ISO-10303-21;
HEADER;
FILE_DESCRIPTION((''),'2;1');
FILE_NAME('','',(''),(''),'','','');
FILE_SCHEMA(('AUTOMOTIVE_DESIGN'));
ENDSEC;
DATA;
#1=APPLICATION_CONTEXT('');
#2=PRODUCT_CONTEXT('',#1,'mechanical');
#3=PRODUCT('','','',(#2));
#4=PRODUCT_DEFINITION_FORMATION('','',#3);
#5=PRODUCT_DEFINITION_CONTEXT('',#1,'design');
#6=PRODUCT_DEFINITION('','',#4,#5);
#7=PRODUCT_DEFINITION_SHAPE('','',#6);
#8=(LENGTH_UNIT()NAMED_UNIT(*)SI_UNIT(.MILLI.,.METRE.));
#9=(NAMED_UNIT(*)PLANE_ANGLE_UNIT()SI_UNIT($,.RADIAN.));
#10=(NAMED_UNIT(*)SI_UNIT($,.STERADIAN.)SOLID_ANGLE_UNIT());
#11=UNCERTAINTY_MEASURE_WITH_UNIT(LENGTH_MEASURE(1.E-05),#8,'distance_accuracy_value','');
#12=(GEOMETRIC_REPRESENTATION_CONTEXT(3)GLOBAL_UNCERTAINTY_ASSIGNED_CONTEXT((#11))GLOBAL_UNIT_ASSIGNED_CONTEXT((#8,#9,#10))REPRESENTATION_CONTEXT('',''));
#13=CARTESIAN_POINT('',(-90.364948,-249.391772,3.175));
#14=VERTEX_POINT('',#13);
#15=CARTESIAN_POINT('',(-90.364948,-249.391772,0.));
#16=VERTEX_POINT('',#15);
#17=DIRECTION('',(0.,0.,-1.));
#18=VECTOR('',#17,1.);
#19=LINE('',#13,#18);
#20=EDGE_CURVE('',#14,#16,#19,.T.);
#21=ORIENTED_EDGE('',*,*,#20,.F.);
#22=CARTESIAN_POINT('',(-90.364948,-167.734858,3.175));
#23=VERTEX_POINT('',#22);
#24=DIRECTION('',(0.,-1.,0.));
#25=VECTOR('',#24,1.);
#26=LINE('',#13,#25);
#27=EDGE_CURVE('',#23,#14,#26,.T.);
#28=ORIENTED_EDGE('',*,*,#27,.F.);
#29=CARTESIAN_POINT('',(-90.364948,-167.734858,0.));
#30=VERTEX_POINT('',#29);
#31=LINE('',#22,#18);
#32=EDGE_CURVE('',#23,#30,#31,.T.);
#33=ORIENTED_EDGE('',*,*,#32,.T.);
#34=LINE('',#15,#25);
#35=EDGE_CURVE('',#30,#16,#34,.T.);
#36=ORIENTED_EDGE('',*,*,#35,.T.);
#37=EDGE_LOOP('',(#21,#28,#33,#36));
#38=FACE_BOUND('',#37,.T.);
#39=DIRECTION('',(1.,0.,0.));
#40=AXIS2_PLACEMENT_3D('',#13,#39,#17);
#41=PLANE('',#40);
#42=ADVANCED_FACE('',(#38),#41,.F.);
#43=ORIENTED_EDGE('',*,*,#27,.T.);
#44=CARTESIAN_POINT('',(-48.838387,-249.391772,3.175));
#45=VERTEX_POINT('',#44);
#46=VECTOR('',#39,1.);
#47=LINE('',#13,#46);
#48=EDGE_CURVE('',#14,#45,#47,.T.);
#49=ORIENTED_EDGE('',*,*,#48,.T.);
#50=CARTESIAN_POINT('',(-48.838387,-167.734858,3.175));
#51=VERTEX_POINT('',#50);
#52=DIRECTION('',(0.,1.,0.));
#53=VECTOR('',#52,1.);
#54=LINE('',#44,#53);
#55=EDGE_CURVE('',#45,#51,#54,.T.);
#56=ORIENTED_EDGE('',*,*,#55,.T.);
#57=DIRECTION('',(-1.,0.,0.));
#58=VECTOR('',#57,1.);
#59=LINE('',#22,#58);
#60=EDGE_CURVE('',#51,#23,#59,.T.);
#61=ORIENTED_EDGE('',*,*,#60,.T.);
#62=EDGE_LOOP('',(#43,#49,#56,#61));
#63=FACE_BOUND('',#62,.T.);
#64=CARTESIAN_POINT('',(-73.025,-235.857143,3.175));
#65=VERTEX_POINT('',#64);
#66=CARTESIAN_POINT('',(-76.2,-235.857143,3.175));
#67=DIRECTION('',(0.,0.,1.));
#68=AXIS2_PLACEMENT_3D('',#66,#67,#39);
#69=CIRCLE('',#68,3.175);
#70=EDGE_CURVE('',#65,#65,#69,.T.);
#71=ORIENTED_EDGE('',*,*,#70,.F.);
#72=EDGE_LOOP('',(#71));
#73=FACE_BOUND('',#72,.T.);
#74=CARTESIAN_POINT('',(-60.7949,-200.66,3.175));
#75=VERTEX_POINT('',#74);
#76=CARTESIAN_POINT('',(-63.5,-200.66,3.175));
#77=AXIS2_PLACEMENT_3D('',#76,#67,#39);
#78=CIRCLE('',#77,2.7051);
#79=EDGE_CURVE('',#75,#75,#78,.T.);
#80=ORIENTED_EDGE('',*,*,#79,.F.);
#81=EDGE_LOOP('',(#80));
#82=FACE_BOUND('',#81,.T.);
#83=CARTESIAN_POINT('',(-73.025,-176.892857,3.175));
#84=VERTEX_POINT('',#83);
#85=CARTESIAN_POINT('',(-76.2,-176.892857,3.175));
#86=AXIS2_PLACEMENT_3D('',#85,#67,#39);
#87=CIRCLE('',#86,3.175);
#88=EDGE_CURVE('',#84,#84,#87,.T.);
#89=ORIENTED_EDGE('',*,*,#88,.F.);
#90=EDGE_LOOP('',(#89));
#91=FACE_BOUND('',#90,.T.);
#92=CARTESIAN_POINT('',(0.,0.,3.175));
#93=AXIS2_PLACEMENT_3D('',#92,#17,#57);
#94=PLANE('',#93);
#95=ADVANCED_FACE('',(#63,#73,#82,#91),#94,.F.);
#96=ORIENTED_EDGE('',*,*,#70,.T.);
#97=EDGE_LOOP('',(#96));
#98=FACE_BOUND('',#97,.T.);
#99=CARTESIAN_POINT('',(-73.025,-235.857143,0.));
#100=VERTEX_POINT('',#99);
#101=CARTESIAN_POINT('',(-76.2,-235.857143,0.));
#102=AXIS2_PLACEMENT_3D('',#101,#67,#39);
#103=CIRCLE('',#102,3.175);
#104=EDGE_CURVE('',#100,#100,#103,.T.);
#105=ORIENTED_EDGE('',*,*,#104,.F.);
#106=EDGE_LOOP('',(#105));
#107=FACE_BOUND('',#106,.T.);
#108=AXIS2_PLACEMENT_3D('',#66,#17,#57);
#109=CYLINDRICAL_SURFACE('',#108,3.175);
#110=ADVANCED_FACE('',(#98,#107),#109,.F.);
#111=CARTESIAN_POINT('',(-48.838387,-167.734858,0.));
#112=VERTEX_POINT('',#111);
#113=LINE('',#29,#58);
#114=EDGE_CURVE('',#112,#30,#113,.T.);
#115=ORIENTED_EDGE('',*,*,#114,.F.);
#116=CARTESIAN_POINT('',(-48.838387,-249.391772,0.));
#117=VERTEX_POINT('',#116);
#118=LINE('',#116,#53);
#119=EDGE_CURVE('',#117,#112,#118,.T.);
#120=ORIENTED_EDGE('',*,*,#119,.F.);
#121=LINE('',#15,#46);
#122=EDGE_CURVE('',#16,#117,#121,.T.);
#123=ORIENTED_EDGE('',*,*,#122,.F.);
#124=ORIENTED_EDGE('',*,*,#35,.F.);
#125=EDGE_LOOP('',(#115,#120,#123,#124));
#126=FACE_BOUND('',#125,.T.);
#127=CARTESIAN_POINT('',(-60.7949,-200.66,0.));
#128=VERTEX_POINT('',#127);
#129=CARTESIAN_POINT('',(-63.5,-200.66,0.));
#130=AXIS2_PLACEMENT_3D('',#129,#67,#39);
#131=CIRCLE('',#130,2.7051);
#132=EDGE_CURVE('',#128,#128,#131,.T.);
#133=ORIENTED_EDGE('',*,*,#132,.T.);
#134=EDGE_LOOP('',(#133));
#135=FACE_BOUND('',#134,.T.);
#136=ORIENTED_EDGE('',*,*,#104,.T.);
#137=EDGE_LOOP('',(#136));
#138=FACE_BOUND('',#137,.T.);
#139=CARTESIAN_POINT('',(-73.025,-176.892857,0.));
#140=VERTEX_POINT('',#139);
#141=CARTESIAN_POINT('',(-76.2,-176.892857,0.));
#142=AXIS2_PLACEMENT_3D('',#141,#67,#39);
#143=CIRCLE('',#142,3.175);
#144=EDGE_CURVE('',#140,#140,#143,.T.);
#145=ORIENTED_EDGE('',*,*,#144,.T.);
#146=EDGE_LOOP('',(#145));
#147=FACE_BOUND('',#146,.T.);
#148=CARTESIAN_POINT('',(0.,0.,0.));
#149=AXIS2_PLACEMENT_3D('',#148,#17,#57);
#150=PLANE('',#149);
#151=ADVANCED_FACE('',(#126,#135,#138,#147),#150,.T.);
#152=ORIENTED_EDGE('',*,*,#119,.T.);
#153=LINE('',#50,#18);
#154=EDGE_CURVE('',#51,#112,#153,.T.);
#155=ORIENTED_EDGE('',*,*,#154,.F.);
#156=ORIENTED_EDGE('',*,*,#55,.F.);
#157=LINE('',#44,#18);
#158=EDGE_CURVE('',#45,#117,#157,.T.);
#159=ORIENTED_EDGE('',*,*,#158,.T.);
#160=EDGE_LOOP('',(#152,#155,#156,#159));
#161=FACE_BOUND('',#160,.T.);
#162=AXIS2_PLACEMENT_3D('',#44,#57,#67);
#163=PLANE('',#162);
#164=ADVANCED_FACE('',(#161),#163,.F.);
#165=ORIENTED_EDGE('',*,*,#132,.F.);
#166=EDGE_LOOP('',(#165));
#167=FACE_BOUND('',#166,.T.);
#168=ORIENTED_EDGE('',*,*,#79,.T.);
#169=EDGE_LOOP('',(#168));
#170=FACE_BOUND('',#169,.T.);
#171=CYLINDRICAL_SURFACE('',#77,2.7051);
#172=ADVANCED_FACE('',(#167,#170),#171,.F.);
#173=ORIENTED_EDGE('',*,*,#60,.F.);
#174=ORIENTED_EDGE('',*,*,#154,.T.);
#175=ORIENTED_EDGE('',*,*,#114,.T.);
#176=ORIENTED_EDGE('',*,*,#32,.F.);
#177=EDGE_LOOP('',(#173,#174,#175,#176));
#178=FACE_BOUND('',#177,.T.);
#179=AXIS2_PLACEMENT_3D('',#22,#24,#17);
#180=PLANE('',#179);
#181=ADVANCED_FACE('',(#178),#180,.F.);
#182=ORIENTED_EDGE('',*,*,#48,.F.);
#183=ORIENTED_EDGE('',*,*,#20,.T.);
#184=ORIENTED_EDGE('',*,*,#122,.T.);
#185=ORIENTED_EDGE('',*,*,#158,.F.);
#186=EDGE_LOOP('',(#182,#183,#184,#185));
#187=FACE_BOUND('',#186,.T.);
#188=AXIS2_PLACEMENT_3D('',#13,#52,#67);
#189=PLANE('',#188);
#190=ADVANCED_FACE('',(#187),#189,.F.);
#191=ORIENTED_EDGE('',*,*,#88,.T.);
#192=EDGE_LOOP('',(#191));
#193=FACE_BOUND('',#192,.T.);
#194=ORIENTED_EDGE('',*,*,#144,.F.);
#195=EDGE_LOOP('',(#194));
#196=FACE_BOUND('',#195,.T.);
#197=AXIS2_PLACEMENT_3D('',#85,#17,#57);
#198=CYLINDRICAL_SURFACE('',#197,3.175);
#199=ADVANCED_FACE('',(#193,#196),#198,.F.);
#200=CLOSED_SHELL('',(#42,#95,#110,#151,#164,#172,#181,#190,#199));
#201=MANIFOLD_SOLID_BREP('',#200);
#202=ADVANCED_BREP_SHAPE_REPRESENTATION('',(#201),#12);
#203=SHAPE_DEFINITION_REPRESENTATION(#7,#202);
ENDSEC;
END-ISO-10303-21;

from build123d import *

# Parameters (mm, degrees)
SKETCH1_W               = 41.526561397
SKETCH1_H               = 81.656914339
SKETCH1_R               = 3.175
BOSS_EXTRUDE1_DEPTH     = 3.175
F_1_4_28_TAPPED_HOLE1_D = 5.4102


with BuildPart() as part:
    # Sketch1 → Boss-Extrude1 (new body)
    with BuildSketch(Plane.XY):
        with Locations((-69.601667399, -208.563314709)):
            Rectangle(SKETCH1_W, SKETCH1_H)
        with Locations((-76.2, -176.892857143)):
            Circle(SKETCH1_R, mode=Mode.SUBTRACT)
        with Locations((-76.2, -235.857142857)):
            Circle(SKETCH1_R, mode=Mode.SUBTRACT)
    extrude(amount=BOSS_EXTRUDE1_DEPTH)

    # 1/4-28 Tapped Hole1 (through all)
    with Locations(Plane.XY.offset(3.175)):
        with Locations((-63.5, -200.66)):
            Hole(F_1_4_28_TAPPED_HOLE1_D / 2)


solid = part.part
